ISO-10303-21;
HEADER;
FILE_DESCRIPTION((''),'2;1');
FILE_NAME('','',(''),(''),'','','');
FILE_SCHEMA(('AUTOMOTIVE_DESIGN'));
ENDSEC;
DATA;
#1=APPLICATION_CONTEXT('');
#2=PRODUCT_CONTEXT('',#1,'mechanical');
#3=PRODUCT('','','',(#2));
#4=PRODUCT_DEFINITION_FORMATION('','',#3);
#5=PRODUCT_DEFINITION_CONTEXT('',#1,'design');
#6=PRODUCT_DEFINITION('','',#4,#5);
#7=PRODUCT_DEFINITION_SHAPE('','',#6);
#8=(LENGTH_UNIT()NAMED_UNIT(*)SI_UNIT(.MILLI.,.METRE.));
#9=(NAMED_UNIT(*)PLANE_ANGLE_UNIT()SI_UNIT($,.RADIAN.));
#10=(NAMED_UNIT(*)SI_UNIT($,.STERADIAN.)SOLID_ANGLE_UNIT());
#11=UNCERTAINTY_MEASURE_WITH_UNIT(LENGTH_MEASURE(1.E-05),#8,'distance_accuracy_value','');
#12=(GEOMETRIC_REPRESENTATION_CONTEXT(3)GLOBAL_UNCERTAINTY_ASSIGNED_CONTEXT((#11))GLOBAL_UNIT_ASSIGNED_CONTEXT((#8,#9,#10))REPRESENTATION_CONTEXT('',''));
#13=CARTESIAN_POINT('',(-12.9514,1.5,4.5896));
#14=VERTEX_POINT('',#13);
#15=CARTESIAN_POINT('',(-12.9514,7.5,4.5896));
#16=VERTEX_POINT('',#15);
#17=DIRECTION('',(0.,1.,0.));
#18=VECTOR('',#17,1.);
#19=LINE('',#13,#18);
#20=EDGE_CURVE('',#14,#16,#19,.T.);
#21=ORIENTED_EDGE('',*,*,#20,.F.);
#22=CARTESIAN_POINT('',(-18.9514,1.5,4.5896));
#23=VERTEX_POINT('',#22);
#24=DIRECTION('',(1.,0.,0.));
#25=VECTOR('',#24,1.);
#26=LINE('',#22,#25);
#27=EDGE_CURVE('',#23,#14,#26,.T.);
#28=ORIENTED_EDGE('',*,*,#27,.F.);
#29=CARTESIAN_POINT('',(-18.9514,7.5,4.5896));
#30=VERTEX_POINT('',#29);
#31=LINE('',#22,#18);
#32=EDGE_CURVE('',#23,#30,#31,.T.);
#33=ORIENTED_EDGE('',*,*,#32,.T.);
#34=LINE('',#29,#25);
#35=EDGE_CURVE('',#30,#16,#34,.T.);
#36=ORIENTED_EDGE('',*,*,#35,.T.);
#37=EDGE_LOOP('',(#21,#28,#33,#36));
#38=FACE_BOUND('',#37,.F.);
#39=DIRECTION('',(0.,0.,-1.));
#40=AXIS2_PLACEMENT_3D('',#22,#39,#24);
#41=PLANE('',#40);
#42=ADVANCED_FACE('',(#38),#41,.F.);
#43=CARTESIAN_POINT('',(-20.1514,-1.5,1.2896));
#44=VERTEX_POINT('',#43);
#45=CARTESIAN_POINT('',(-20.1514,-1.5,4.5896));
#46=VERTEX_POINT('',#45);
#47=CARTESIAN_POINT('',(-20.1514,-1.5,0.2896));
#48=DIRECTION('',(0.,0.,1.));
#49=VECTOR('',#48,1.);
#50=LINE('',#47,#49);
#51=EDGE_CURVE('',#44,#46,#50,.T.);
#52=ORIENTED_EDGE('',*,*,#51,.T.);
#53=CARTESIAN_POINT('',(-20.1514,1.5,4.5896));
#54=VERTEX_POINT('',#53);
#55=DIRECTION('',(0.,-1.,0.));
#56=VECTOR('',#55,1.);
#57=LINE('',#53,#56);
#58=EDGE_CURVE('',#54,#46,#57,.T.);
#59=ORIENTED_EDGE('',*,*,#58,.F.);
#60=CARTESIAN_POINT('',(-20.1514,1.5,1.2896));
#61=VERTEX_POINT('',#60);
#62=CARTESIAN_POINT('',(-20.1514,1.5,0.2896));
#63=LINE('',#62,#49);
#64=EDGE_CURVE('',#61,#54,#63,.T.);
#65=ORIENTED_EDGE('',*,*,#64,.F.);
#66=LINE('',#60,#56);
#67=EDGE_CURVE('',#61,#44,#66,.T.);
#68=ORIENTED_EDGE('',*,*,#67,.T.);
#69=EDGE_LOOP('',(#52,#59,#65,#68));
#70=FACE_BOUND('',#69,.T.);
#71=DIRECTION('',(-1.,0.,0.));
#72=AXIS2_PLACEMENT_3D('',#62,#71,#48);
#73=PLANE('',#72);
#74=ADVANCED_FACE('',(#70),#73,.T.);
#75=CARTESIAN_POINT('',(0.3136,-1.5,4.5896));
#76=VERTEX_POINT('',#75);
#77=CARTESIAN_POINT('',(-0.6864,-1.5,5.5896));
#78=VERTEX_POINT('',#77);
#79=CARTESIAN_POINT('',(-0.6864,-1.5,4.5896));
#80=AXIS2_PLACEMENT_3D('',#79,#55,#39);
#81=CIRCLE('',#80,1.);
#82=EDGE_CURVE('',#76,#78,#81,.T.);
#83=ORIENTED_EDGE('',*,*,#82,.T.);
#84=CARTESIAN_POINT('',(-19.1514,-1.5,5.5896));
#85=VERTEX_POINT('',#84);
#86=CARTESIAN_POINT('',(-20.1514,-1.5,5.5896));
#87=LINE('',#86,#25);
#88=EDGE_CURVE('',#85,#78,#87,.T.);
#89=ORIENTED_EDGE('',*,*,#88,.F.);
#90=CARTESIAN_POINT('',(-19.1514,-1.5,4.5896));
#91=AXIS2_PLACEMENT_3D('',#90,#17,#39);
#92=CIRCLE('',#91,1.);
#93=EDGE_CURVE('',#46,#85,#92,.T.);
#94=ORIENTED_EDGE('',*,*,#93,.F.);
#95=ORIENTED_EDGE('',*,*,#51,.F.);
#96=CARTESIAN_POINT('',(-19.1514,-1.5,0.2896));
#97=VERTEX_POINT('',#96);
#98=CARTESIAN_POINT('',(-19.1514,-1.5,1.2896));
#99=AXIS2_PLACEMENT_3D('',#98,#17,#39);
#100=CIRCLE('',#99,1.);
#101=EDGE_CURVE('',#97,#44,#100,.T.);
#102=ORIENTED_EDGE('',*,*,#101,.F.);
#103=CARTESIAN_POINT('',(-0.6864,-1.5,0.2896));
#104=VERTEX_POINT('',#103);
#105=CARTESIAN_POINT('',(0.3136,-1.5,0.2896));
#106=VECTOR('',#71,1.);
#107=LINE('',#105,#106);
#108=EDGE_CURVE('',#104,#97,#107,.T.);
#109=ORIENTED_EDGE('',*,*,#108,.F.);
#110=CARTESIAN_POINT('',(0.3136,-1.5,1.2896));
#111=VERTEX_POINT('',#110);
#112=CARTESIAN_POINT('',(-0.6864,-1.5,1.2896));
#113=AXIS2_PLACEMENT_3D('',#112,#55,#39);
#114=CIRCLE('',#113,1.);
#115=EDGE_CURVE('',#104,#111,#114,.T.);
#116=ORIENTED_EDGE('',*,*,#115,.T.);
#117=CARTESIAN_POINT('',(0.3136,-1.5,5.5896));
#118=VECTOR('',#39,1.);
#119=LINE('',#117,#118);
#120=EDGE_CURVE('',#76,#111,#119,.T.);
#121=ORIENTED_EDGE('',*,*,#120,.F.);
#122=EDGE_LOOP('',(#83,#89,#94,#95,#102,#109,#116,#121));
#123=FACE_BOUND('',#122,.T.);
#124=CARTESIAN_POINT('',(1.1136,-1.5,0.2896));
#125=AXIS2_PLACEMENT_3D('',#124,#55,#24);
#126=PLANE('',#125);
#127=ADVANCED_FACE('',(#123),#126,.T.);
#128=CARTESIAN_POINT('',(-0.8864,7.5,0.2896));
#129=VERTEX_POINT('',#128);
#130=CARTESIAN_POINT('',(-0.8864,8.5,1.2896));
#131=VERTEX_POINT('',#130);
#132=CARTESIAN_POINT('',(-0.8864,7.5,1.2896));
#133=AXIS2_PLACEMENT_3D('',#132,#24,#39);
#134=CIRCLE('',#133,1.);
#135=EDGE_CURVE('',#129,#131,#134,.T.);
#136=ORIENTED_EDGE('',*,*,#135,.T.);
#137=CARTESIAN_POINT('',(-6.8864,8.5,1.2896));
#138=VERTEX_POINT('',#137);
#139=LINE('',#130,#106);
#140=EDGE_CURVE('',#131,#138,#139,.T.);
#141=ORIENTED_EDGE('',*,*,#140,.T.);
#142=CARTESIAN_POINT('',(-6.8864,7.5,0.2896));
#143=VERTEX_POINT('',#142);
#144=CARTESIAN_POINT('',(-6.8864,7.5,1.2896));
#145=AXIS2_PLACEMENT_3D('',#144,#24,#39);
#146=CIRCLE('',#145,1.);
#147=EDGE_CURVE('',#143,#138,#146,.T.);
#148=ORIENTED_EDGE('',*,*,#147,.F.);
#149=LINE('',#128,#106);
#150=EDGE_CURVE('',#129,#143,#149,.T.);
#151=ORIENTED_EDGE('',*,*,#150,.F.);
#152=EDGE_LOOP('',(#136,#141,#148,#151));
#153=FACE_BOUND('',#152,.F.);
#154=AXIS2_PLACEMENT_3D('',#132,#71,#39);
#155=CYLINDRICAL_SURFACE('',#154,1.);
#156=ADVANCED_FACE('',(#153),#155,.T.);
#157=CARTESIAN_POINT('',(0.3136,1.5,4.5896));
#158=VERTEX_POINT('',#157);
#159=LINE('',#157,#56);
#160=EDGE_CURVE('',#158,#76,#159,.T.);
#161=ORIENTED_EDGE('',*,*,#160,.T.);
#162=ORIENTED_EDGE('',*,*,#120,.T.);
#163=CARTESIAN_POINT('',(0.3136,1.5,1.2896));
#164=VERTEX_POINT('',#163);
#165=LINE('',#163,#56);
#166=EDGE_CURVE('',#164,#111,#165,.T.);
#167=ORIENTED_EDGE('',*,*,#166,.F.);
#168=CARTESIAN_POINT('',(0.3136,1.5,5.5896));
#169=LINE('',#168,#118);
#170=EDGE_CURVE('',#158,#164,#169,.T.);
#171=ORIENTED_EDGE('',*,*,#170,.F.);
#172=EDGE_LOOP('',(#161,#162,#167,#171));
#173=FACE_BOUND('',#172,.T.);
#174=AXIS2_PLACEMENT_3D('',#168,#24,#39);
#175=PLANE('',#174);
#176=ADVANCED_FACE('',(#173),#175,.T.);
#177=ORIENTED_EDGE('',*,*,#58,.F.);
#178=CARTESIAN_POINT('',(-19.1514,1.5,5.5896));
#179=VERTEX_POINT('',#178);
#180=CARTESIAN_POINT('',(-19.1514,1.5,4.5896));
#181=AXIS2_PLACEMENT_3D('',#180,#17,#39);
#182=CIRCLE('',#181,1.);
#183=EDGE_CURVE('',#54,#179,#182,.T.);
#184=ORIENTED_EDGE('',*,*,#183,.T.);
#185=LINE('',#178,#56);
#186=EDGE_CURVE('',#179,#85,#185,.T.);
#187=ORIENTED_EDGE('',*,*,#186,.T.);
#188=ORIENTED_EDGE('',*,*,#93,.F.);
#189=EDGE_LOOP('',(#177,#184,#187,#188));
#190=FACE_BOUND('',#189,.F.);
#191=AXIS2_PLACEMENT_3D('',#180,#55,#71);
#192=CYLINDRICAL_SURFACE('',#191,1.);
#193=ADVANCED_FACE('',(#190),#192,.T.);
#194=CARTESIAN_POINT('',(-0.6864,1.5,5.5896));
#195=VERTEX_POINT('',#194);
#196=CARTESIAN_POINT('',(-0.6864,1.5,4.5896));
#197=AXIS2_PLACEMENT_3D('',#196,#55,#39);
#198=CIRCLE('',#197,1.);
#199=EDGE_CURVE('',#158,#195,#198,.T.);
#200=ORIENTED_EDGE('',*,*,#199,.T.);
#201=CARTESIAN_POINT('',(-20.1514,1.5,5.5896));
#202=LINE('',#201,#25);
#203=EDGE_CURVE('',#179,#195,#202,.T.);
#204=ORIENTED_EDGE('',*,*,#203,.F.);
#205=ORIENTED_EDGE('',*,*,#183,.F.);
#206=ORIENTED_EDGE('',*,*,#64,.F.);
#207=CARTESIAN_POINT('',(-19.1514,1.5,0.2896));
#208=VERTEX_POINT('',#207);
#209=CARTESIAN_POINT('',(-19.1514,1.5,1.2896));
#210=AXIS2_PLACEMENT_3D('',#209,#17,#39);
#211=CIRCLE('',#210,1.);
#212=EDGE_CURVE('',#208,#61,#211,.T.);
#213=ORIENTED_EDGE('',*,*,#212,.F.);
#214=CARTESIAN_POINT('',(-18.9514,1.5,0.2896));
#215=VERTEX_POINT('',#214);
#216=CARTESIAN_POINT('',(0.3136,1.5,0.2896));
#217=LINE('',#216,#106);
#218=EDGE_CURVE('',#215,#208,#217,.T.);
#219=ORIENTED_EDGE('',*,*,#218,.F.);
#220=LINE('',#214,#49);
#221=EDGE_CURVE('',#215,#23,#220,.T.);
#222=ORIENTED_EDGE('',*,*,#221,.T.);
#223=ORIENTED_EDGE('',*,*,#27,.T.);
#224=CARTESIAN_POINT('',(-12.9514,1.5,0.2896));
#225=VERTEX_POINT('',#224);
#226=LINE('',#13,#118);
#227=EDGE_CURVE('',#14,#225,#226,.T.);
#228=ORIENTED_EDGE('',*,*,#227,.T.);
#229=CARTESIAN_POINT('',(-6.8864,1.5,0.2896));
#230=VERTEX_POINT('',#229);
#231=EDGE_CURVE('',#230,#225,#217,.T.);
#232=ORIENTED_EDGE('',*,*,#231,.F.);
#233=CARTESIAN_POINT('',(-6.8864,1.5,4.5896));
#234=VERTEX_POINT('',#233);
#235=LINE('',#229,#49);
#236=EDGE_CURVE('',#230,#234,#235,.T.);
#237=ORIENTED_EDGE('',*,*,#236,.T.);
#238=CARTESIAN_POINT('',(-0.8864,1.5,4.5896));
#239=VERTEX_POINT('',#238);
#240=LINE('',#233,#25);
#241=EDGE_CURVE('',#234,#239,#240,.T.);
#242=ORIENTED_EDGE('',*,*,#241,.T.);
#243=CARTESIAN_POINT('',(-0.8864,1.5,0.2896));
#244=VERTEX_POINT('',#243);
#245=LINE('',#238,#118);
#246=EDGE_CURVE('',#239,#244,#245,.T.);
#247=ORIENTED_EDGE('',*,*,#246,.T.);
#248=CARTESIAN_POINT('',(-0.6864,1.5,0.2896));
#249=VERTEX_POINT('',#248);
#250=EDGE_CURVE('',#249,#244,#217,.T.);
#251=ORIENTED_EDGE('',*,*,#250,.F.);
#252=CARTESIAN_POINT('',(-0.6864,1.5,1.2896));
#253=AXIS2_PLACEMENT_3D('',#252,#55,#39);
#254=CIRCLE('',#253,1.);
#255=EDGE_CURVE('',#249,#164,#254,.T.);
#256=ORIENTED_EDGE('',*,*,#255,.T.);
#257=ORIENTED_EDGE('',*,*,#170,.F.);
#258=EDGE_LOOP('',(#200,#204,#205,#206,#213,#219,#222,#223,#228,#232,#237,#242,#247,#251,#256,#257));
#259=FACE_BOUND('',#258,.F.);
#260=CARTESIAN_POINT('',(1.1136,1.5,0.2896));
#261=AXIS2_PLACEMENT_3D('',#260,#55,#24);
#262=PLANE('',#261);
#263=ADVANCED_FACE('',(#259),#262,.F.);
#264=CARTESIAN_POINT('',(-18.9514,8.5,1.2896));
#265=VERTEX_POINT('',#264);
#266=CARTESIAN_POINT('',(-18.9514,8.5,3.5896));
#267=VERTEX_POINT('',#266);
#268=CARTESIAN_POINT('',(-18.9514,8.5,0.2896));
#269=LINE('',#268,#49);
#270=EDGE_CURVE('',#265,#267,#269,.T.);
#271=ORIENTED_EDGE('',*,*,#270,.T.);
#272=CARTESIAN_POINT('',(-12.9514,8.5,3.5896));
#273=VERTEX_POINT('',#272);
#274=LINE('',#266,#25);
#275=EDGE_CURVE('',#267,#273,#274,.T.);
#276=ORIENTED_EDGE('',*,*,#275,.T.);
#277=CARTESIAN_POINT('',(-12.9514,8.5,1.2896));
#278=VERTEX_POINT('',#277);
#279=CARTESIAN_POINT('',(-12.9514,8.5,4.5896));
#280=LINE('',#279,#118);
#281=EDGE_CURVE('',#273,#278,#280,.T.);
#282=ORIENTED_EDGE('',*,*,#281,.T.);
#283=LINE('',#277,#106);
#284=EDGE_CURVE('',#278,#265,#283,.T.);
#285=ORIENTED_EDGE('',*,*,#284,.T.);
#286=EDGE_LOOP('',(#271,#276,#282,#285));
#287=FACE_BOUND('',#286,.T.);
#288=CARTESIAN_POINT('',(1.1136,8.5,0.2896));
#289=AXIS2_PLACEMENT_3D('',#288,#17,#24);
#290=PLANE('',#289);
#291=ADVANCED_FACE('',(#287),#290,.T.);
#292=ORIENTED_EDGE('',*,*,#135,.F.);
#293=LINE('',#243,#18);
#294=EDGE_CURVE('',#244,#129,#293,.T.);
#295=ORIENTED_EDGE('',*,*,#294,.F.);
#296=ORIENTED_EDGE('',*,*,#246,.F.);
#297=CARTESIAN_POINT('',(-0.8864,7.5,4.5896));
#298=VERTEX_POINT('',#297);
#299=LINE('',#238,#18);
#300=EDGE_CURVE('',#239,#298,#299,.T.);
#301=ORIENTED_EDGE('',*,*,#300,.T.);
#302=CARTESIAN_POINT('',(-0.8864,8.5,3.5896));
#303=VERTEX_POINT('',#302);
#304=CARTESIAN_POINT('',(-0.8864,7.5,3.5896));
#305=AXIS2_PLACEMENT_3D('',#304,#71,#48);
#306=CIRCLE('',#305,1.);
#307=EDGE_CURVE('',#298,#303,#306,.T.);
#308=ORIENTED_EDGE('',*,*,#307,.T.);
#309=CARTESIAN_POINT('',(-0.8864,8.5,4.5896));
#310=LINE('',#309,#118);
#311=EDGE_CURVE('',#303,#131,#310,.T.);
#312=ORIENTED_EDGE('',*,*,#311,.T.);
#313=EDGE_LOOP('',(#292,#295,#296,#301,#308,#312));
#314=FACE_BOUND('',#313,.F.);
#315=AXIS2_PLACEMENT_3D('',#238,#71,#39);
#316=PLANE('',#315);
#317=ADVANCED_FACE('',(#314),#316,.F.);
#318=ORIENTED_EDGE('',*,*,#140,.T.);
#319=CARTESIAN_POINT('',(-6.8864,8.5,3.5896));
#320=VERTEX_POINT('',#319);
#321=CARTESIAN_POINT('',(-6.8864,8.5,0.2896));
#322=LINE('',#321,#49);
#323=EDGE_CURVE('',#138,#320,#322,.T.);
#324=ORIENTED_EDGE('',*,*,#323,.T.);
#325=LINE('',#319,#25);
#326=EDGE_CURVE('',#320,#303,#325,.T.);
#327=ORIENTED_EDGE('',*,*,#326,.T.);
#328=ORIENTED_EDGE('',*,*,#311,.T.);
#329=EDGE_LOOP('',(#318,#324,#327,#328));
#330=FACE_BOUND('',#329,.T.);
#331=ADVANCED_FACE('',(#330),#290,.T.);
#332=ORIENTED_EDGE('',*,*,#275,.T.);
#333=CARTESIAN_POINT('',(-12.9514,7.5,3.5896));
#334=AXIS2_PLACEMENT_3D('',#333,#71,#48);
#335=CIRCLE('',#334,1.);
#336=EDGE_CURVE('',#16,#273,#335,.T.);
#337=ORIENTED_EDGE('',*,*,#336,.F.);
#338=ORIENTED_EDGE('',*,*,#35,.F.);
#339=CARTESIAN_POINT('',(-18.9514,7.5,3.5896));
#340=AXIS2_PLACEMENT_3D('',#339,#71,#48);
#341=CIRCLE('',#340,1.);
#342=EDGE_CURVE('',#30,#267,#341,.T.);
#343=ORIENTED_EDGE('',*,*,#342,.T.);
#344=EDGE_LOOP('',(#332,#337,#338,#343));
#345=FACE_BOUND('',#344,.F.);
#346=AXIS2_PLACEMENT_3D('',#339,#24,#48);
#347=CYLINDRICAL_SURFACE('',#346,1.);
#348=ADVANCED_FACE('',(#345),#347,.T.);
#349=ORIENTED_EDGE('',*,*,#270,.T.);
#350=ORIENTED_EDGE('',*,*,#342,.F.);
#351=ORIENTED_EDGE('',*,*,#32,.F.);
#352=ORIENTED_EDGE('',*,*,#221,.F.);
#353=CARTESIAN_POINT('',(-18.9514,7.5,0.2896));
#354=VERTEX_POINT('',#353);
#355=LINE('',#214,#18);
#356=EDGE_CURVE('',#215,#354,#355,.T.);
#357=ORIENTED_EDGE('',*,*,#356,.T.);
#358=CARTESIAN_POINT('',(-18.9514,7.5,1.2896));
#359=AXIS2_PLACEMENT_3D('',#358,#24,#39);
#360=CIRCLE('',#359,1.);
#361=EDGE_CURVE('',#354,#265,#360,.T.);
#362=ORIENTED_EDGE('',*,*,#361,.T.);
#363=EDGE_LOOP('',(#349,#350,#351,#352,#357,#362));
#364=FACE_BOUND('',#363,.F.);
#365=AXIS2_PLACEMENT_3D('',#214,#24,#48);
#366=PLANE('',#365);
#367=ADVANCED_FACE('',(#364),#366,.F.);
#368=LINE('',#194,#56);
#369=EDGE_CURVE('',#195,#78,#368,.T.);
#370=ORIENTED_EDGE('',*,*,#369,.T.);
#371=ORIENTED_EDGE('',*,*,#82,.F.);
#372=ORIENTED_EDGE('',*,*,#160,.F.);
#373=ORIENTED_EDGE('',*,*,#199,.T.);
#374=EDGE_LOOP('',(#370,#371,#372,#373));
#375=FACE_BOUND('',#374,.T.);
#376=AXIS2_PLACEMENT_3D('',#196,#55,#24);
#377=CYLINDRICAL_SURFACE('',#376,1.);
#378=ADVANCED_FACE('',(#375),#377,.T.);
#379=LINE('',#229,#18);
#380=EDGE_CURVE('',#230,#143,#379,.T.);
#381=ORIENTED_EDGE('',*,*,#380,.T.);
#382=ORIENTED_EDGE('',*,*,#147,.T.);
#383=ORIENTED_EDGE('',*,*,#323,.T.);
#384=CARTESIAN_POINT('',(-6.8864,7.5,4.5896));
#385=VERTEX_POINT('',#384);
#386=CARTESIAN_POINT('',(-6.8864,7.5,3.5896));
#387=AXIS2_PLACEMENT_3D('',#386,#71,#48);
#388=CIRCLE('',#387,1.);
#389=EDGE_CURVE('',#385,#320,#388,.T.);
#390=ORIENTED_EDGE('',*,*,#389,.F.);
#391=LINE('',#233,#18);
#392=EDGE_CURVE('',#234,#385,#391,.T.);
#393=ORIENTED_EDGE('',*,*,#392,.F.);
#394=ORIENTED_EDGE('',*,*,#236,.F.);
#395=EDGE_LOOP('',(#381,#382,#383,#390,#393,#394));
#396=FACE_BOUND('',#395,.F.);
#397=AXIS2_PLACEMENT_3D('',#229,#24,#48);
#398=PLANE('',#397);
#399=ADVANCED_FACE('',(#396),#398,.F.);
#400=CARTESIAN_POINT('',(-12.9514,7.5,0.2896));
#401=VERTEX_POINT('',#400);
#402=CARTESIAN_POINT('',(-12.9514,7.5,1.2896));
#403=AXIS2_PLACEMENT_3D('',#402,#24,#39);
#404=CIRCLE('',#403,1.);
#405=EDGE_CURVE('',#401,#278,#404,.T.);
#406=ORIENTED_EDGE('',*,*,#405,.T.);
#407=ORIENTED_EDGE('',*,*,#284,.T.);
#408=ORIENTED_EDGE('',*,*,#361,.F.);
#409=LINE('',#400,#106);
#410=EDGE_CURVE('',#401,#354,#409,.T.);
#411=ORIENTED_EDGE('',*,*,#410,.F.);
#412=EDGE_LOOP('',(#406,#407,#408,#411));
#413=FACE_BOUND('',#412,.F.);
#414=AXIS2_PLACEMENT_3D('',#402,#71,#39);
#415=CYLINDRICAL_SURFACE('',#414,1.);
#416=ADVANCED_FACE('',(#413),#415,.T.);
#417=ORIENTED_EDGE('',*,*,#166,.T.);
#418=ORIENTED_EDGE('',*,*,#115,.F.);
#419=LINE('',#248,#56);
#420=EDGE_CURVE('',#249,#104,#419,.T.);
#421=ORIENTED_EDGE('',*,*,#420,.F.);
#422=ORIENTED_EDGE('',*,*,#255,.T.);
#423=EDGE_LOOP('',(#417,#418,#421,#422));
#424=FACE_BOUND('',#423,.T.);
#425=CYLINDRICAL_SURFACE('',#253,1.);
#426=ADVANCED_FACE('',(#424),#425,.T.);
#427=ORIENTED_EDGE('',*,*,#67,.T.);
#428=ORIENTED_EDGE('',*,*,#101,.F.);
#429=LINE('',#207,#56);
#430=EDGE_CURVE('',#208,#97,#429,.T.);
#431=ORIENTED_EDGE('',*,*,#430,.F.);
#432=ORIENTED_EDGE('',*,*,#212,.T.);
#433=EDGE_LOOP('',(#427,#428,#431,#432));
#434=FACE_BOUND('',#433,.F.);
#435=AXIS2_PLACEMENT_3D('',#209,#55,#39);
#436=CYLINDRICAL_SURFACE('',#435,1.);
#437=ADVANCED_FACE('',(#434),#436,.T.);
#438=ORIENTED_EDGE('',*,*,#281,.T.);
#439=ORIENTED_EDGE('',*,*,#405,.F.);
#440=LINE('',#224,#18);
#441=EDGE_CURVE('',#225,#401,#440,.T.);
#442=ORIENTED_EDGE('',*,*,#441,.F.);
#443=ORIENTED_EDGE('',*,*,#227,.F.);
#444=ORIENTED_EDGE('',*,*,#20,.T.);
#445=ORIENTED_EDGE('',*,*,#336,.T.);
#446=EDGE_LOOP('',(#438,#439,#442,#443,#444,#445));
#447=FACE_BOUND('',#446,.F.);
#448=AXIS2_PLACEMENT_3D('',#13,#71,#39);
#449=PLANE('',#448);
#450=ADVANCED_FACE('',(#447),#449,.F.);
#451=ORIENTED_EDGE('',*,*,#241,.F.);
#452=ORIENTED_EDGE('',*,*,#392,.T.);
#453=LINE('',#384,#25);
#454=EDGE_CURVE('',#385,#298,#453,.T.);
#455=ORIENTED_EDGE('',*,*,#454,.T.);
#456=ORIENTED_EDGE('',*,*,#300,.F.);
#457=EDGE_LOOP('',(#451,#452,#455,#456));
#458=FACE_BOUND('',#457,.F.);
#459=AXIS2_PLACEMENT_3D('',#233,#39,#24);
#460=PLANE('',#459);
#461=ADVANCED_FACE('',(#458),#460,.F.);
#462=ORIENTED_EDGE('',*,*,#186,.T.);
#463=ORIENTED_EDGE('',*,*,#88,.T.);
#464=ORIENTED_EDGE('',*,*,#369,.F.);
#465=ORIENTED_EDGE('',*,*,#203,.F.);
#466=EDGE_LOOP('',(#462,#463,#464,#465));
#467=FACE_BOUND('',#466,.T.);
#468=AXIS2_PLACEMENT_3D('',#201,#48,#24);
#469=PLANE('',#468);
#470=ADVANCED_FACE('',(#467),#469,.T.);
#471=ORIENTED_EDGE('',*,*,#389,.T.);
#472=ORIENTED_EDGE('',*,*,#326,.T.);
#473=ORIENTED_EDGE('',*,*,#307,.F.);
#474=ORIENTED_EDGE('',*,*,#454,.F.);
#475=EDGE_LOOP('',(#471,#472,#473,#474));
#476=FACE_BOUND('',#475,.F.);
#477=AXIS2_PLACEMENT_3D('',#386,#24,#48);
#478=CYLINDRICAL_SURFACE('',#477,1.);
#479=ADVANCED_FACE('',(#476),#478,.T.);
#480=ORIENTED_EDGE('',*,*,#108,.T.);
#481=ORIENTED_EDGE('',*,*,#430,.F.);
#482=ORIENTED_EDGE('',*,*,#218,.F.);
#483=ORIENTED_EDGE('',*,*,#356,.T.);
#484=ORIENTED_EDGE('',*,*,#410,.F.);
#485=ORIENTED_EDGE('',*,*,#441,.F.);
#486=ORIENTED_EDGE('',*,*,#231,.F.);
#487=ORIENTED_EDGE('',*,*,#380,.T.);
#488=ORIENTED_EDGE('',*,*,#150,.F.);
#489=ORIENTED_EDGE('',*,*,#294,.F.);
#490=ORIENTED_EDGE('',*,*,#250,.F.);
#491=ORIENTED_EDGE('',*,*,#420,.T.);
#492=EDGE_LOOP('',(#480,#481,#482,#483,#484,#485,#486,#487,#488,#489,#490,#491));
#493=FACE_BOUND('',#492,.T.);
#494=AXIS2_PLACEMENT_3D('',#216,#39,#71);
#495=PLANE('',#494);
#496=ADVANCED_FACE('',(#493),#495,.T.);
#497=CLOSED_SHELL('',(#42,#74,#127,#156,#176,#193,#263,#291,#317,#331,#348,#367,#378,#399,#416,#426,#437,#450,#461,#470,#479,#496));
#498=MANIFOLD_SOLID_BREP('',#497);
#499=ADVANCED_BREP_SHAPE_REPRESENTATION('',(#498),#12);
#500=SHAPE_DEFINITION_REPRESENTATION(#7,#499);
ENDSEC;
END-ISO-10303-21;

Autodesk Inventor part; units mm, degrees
ref_plane "YZ Plane" through (0, 0, 0) normal (1, 0, 0) x (0, 1, 0)
ref_plane "XZ Plane" through (0, 0, 0) normal (0, 1, 0) x (-1, 0, 0)
ref_plane "XY Plane" through (0, 0, 0) normal (0, 0, 1) x (1, 0, 0)
ref_plane "Work Plane1" through (1.1136, 1.5, 0.2896) normal (0, -1, 0) x (1, 0, 0)
sketch "Sketch3" plane through (1.1136, 1.5, 0.2896) normal (0, -1, 0) x (1, 0, 0)
  line L0 (-8.5, 0) -> (-8.5, 5) construction
  line L1 (-8.5, 5) -> (-1.5, 5) construction
  line L2 (-1.5, 5) -> (-1.5, 0) construction
  line L3 (0, 0) -> (-1.5, 0) construction
  line L4 (0, 0) -> (0, 6) construction
  line L5 (0, 6) -> (-22.065, 6) construction
  line L6 (-22.065, 0) -> (-22.065, 6) construction
  line L7 (-20.565, 0) -> (-22.065, 0) construction
  line L8 (-20.565, 0) -> (-20.565, 5) construction
  line L9 (-20.565, 5) -> (-13.565, 5) construction
  line L10 (-13.565, 5) -> (-13.565, 0) construction
  line L11 (-8.5, 0) -> (-13.565, 0) construction
  line L12 (-0.8, 0) -> (-21.265, 0)
  line L13 (-21.265, 0) -> (-21.265, 5.3)
  line L14 (-21.265, 5.3) -> (-0.8, 5.3)
  line L15 (-0.8, 5.3) -> (-0.8, 0)
  point P0 (-1.1136, -0.2896)
  dimension "d26" = 0.8
  dimension "d27" = 0.8
  dimension "d28" = 0.7
extrude "Extrusion3" add sketch "Sketch3" along normal blind 3
sketch "Sketch4" plane through (1.1136, 1.5, 0.2896) normal (0, 1, 0) x (1, 0, 0)
  line L0 (-8.5, 0) -> (-8.5, -5) construction
  line L1 (-8.5, -5) -> (-1.5, -5) construction
  line L2 (-1.5, -5) -> (-1.5, 0) construction
  line L3 (0, 0) -> (-1.5, 0) construction
  line L4 (0, 0) -> (0, -6) construction
  line L5 (0, -6) -> (-22.065, -6) construction
  line L6 (-22.065, 0) -> (-22.065, -6) construction
  line L7 (-20.565, 0) -> (-22.065, 0) construction
  line L8 (-20.565, 0) -> (-20.565, -5) construction
  line L9 (-20.565, -5) -> (-13.565, -5) construction
  line L10 (-13.565, -5) -> (-13.565, 0) construction
  line L11 (-8.5, 0) -> (-13.565, 0) construction
  line L12 (-2, 0) -> (-8, 0)
  line L13 (-8, 0) -> (-8, -4.3)
  line L14 (-8, -4.3) -> (-2, -4.3)
  line L15 (-2, -4.3) -> (-2, 0)
  line L16 (-0.8, 0) -> (-21.265, 0) projected
  line L17 (-14.065, 0) -> (-20.065, 0)
  line L18 (-20.065, 0) -> (-20.065, -4.3)
  line L19 (-20.065, -4.3) -> (-14.065, -4.3)
  line L20 (-14.065, -4.3) -> (-14.065, 0)
  point P0 (-1.1136, 0.2896)
  point P1 (-5, 0)
  point P2 (-11.0325, 0)
  dimension "d31" = 0.5
  dimension "d32" = 0.5
  dimension "d33" = 0.7
  dimension "d34" = 0.7
  dimension "d35" = 0.5
  dimension "d36" = 0.5
extrude "Extrusion4" add sketch "Sketch4" along normal blind 7
fillet "Fillet6" radius 1 4 edges at (-20.1514, 0, 5.5896) (-20.1514, 0, 0.2896) (0.3136, 0, 5.5896) (0.3136, 0, 0.2896)
fillet "Fillet6" radius 1 4 edges at (-3.8864, 8.5, 4.5896) (-3.8864, 8.5, 0.2896) (-15.9514, 8.5, 0.2896) (-15.9514, 8.5, 4.5896)
properties part number "Holster_Button"
